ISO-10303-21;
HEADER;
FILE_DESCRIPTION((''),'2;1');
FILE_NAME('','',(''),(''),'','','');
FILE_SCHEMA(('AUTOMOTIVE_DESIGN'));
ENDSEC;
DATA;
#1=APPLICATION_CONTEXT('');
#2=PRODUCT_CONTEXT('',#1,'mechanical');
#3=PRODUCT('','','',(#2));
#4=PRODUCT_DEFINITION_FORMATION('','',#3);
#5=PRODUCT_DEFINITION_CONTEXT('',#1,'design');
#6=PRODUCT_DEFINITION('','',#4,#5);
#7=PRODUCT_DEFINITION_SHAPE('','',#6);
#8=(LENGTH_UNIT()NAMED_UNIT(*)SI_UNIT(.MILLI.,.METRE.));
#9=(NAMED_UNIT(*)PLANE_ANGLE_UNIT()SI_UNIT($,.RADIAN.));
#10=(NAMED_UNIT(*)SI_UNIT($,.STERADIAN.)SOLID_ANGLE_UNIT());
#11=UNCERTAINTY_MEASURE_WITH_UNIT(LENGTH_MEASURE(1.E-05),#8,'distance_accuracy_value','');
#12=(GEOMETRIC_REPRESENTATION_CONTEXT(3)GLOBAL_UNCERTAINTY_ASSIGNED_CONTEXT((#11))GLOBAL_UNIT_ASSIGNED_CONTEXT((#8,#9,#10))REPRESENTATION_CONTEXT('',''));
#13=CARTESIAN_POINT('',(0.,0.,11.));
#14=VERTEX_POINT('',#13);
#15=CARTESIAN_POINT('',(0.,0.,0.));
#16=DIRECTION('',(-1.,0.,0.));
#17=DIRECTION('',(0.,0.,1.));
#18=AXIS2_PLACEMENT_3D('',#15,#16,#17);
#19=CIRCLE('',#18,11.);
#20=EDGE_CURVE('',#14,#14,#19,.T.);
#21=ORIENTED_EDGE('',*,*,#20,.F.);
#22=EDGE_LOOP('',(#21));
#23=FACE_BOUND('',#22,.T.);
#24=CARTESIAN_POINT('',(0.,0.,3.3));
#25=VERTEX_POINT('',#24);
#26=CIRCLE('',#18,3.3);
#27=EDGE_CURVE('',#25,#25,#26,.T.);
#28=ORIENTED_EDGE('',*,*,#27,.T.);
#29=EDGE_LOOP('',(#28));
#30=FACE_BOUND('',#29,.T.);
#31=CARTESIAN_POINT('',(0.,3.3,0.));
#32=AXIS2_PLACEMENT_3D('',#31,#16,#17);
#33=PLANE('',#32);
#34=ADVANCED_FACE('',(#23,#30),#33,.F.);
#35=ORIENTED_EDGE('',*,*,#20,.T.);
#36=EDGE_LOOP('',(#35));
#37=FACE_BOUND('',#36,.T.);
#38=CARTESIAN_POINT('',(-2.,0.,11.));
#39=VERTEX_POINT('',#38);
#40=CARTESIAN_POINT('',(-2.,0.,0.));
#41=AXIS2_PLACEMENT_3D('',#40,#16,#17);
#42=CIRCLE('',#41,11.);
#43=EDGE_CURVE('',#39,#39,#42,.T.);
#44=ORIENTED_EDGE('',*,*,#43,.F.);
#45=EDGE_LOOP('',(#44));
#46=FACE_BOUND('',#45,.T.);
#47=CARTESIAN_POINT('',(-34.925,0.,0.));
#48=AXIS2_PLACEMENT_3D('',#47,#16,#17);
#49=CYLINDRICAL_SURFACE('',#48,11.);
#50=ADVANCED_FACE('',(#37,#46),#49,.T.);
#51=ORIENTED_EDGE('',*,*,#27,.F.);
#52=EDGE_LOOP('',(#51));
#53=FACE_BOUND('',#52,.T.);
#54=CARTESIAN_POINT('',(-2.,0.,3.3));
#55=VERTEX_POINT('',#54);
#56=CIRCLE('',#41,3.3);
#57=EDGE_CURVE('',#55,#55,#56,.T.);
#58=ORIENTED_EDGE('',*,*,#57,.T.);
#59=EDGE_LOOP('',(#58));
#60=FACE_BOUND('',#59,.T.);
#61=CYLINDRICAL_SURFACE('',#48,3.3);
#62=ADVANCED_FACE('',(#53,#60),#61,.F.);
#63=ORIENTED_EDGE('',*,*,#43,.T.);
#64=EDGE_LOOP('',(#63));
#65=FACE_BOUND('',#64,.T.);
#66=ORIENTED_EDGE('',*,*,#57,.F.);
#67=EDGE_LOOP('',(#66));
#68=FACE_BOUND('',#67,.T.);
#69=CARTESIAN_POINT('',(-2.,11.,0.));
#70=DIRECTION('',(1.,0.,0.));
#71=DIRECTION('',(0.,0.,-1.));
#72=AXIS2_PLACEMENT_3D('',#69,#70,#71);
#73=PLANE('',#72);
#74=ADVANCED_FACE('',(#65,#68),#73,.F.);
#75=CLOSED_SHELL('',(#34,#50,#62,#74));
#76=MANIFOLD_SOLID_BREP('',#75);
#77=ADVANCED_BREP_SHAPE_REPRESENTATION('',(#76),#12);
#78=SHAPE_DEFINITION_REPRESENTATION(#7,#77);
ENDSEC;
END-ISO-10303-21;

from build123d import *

# Parameters (mm, degrees)
SKETCH1_W = 2
SKETCH1_H = 7.7


with BuildPart() as part:
    # Sketch1 → Base-Revolve (revolve)
    with BuildSketch(Plane.XY, mode=Mode.PRIVATE) as base_revolve_sk:
        with Locations((-1, 7.15)):
            Rectangle(SKETCH1_W, SKETCH1_H)
    revolve(base_revolve_sk.sketch.rotate(Axis((-34.925, 0, 0), (1, 0, 0)), 90), axis=Axis((-34.925, 0, 0), (1, 0, 0)))


solid = part.part
